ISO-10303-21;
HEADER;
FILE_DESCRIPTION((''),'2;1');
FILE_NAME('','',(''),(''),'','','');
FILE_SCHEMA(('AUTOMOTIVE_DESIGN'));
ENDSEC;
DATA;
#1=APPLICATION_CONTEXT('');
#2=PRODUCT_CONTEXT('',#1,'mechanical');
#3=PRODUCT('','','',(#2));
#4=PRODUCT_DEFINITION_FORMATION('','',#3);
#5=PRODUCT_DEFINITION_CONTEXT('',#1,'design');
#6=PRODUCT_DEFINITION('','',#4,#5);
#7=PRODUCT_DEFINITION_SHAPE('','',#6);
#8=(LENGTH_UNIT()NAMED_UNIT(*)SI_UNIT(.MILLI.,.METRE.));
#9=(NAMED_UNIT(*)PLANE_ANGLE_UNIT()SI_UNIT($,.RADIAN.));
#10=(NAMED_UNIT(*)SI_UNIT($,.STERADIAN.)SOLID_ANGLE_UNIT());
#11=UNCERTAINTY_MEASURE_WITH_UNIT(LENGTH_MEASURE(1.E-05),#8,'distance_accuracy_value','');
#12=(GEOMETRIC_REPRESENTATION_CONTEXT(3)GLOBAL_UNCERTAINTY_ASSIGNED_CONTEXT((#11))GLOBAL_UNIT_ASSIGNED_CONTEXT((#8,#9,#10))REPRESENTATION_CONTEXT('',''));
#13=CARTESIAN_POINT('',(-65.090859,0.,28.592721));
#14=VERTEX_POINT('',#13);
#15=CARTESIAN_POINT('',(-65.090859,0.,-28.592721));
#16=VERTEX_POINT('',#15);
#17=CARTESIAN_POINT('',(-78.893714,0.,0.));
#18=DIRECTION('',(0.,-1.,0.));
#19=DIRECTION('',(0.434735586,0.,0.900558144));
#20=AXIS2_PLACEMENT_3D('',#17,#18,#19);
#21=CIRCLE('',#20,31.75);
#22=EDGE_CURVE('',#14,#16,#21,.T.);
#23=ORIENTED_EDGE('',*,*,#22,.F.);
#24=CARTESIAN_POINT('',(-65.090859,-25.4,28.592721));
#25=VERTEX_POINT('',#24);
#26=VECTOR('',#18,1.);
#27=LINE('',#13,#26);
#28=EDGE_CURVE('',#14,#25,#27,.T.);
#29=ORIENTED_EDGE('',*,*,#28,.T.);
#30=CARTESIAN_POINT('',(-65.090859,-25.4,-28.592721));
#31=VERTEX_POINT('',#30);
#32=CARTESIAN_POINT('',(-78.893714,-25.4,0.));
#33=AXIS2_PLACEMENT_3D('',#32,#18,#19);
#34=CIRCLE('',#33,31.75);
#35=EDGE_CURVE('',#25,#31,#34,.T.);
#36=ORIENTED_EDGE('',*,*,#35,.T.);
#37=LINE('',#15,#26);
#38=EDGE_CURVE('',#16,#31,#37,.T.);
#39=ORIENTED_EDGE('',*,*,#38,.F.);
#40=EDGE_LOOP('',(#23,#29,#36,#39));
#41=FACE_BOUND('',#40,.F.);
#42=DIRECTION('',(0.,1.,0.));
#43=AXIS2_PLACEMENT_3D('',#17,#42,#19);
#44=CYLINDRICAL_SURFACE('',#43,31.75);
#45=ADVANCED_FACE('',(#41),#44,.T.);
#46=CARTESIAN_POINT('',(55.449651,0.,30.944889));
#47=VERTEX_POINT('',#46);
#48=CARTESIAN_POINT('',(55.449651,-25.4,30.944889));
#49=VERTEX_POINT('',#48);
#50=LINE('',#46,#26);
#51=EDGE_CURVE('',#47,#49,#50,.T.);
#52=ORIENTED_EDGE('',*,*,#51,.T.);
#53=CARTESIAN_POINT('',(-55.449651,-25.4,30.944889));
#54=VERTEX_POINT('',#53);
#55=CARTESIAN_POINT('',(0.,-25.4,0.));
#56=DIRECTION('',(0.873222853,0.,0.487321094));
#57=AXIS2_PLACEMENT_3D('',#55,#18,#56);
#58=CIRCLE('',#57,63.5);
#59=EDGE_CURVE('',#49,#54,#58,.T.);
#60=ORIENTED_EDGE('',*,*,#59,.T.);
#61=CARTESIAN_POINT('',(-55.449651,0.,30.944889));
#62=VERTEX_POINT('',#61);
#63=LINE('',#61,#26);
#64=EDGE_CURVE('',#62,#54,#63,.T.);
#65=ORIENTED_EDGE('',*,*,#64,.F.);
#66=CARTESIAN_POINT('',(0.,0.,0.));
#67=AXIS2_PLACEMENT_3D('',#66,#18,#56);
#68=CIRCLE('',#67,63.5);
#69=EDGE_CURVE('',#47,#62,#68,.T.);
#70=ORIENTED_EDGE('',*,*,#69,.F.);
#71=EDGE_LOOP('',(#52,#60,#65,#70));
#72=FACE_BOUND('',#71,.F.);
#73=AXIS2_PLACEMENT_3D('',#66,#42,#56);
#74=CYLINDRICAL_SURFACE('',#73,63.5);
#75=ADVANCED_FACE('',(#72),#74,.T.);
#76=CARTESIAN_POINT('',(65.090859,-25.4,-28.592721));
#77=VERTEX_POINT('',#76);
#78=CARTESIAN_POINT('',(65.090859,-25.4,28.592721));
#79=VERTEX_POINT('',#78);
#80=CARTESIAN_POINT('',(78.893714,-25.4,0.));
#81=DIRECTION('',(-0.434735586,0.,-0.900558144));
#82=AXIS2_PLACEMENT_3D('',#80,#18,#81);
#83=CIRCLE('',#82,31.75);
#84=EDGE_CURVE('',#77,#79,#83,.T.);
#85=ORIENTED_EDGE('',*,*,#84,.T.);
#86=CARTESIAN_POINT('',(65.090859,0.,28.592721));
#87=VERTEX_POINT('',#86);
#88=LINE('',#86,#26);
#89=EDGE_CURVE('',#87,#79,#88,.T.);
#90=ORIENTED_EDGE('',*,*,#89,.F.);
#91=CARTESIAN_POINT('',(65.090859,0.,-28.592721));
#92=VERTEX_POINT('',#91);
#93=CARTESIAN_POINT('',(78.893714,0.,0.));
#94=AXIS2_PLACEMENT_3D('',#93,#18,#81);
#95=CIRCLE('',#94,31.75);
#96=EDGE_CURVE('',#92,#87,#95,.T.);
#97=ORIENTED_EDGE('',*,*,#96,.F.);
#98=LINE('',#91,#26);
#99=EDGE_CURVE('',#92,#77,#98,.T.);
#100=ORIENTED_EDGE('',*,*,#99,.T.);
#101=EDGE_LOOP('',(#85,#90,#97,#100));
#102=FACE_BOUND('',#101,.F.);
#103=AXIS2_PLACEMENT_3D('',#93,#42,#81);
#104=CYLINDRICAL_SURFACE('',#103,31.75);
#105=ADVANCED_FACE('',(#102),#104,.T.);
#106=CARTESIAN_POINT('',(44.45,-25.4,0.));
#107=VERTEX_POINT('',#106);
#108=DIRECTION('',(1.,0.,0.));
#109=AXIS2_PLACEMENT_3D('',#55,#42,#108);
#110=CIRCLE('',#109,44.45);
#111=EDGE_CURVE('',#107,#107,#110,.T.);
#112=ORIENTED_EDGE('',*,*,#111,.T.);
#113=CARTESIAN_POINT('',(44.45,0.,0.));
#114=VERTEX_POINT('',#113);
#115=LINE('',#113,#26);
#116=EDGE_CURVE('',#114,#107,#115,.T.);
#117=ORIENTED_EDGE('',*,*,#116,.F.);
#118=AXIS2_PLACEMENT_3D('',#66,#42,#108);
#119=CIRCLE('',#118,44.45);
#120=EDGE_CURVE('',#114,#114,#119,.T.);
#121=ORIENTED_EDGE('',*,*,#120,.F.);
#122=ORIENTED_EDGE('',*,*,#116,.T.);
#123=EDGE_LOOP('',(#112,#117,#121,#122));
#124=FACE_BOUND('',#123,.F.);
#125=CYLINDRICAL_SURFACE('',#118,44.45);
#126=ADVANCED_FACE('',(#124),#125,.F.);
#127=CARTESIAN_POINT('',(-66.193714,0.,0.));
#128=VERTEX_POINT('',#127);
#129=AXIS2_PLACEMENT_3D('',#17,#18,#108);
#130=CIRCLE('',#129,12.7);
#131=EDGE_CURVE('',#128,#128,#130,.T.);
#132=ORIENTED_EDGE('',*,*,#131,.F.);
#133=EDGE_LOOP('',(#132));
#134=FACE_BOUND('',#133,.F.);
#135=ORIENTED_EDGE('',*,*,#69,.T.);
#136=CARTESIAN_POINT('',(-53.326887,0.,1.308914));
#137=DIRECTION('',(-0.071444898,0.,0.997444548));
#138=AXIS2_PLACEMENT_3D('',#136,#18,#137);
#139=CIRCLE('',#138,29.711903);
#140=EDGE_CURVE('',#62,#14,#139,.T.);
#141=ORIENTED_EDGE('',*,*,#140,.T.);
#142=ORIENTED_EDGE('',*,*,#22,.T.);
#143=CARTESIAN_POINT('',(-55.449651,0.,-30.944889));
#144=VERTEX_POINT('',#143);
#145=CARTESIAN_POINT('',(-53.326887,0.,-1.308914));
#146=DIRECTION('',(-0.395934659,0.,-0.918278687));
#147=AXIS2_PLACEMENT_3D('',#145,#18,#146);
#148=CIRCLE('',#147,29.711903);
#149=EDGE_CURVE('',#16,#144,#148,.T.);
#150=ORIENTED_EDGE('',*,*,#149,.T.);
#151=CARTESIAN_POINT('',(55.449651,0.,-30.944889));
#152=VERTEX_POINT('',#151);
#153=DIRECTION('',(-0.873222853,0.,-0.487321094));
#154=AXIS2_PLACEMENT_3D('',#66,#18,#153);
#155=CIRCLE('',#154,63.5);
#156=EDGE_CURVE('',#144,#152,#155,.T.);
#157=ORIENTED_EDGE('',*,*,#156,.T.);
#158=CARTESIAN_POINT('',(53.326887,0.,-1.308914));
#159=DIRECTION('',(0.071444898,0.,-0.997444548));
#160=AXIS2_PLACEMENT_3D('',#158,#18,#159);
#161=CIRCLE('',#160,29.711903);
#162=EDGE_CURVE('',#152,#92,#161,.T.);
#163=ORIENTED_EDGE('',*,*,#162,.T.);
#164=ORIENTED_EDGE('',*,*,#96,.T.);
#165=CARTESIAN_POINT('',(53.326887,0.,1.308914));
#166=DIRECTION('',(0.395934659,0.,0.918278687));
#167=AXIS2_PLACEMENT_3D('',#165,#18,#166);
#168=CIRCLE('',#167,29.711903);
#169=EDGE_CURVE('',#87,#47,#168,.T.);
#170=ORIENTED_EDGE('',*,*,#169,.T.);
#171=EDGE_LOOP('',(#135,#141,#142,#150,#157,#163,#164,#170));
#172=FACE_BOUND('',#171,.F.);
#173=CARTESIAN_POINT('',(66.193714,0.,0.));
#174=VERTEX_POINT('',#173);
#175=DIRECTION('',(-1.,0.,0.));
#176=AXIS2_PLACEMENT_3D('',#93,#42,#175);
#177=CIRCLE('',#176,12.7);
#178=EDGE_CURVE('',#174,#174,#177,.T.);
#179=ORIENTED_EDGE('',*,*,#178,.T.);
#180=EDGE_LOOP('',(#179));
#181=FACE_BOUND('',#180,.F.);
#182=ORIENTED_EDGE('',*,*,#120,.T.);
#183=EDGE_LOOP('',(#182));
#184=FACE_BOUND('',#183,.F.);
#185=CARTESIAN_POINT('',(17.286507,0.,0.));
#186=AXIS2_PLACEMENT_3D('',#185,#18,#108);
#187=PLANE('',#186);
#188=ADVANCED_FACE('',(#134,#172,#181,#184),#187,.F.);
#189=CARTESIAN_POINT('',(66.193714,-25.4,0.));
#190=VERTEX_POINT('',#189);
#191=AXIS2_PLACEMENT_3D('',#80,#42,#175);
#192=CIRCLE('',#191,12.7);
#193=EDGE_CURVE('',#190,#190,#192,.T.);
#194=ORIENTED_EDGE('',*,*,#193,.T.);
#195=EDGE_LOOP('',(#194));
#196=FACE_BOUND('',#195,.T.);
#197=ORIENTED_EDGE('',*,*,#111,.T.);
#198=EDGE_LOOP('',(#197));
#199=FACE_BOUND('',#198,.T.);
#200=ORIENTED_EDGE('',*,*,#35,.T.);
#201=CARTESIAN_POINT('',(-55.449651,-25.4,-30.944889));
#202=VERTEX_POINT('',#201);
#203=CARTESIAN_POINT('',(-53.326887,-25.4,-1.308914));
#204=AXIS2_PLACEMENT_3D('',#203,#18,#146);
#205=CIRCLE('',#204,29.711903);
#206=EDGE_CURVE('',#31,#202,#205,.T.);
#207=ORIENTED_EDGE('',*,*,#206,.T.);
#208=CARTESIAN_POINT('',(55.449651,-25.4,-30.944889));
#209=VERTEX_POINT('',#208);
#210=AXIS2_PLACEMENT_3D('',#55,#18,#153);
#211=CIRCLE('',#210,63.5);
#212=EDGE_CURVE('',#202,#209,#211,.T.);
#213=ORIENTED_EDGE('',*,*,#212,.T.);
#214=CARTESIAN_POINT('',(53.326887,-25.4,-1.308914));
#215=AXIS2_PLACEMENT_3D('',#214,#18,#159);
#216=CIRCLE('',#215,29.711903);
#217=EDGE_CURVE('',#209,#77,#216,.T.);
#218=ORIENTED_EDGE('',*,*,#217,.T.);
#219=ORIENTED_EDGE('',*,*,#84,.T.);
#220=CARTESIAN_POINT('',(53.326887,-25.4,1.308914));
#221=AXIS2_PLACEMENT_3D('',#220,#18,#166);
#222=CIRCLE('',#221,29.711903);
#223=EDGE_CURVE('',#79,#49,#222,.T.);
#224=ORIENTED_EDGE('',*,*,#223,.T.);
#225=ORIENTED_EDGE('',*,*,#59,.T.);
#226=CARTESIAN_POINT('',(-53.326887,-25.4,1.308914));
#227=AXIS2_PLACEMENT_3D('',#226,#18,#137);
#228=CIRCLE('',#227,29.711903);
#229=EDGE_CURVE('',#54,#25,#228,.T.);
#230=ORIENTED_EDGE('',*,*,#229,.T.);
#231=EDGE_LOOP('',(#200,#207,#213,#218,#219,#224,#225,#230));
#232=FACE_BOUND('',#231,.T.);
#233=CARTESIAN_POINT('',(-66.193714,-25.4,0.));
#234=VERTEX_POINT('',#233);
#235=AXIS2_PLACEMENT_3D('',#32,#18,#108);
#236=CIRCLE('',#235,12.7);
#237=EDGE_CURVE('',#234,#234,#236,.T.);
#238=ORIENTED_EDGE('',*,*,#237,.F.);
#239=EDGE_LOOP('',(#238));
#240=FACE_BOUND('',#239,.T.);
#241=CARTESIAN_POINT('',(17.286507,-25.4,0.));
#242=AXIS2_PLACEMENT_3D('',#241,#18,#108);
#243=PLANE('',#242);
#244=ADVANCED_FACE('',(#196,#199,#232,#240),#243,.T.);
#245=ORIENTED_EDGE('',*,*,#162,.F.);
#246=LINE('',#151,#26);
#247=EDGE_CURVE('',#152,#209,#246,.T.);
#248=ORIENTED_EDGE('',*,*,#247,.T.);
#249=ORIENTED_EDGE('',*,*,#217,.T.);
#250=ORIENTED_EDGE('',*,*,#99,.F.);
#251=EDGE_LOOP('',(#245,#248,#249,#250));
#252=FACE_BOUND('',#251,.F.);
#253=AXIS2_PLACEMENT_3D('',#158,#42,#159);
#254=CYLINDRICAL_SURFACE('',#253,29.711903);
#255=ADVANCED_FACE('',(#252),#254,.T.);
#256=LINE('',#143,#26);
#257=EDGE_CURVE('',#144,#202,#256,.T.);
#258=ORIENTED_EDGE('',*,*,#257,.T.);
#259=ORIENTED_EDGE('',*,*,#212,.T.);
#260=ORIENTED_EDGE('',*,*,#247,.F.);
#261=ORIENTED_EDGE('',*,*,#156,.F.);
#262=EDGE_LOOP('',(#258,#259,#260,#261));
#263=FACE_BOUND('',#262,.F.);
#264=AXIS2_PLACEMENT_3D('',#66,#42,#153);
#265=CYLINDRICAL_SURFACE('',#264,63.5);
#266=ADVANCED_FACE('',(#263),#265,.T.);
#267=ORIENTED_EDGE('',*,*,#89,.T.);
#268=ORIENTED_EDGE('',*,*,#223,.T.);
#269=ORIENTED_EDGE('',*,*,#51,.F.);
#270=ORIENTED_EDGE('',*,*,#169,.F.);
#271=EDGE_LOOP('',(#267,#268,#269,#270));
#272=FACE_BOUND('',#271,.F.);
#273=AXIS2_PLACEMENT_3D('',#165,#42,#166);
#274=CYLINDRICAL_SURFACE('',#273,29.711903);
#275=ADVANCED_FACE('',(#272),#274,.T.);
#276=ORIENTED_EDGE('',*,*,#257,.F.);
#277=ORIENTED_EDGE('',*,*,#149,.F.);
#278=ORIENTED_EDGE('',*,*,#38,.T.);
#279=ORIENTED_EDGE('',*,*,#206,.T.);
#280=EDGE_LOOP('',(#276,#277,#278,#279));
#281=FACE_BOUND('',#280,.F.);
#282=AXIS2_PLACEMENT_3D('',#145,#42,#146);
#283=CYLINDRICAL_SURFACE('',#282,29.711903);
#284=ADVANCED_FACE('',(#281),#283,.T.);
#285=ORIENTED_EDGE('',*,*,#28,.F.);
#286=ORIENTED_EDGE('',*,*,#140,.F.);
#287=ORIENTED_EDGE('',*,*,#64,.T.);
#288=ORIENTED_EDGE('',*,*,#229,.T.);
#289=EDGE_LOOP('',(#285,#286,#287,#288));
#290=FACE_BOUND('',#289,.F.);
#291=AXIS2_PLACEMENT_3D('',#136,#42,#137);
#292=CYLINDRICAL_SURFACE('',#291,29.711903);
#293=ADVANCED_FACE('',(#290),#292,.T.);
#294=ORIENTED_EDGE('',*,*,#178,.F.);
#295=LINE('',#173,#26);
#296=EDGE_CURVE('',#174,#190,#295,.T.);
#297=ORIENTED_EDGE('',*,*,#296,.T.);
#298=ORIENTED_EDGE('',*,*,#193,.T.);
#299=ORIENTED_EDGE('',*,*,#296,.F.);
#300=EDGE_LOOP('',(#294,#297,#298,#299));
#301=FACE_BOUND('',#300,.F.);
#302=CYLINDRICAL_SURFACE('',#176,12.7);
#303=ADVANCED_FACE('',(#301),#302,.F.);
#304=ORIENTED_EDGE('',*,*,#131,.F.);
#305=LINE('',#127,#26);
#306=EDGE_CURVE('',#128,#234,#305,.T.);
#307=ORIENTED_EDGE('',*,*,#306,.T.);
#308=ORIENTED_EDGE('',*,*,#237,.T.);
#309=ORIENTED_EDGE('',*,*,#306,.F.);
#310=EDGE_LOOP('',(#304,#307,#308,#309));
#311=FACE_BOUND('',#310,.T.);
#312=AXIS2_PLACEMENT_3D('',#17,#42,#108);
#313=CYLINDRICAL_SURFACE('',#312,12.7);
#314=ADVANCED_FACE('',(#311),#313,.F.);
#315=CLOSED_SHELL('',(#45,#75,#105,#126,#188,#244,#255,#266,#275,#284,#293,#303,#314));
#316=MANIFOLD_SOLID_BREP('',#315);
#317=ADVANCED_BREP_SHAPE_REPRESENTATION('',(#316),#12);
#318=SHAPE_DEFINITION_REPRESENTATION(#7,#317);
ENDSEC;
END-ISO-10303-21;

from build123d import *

# Parameters (mm, degrees)
F0_R     = 12.7
F1_DEPTH = 25.4


with BuildPart() as f1:
    # F0 (on Front) → F1 (new body)
    with BuildSketch(Plane.XZ):
        with BuildLine():
            ThreePointArc((-55.4496511867, 30.9448894533), (-61.4544662753, 15.9874505417), (-63.5, 0))
            ThreePointArc((-63.5, 0), (-61.4544662753, -15.9874505417), (-55.4496511867, -30.9448894533))
            ThreePointArc((-55.4496511867, -30.9448894533), (0, -63.5), (55.4496511867, -30.9448894533))
            ThreePointArc((55.4496511867, -30.9448894533), (60.3691549173, -30.174180923), (65.0908594106, -28.5927210679))
            ThreePointArc((65.0908594106, -28.5927210679), (110.6437142577, 0), (65.0908594106, 28.5927210679))
            ThreePointArc((65.0908594106, 28.5927210679), (60.3691549173, 30.174180923), (55.4496511867, 30.9448894533))
            ThreePointArc((55.4496511867, 30.9448894533), (0, 63.5), (-55.4496511867, 30.9448894533))
        make_face()
        with BuildLine():
            ThreePointArc((-44.45, 0), (0, 44.45), (44.45, 0))
            ThreePointArc((44.45, 0), (0, -44.45), (-44.45, 0))
        make_face(mode=Mode.SUBTRACT)
        with BuildLine():
            ThreePointArc((91.5937142577, 0), (78.8937142577, -12.7), (66.1937142577, 0))
            ThreePointArc((66.1937142577, 0), (78.8937142577, 12.7), (91.5937142577, 0))
        make_face(mode=Mode.SUBTRACT)
        with BuildLine():
            ThreePointArc((-55.4496511867, -30.9448894533), (-61.4544662753, -15.9874505417), (-63.5, 0))
            ThreePointArc((-63.5, 0), (-61.4544662753, 15.9874505417), (-55.4496511867, 30.9448894533))
            ThreePointArc((-55.4496511867, 30.9448894533), (-60.3691549173, 30.174180923), (-65.0908594106, 28.5927210679))
            ThreePointArc((-65.0908594106, 28.5927210679), (-110.6437142577, 0), (-65.0908594106, -28.5927210679))
            ThreePointArc((-65.0908594106, -28.5927210679), (-60.3691549173, -30.174180923), (-55.4496511867, -30.9448894533))
        make_face()
        with Locations((-78.8937142577, 0)):
            Circle(F0_R, mode=Mode.SUBTRACT)
    extrude(amount=F1_DEPTH)


solid = f1.part
